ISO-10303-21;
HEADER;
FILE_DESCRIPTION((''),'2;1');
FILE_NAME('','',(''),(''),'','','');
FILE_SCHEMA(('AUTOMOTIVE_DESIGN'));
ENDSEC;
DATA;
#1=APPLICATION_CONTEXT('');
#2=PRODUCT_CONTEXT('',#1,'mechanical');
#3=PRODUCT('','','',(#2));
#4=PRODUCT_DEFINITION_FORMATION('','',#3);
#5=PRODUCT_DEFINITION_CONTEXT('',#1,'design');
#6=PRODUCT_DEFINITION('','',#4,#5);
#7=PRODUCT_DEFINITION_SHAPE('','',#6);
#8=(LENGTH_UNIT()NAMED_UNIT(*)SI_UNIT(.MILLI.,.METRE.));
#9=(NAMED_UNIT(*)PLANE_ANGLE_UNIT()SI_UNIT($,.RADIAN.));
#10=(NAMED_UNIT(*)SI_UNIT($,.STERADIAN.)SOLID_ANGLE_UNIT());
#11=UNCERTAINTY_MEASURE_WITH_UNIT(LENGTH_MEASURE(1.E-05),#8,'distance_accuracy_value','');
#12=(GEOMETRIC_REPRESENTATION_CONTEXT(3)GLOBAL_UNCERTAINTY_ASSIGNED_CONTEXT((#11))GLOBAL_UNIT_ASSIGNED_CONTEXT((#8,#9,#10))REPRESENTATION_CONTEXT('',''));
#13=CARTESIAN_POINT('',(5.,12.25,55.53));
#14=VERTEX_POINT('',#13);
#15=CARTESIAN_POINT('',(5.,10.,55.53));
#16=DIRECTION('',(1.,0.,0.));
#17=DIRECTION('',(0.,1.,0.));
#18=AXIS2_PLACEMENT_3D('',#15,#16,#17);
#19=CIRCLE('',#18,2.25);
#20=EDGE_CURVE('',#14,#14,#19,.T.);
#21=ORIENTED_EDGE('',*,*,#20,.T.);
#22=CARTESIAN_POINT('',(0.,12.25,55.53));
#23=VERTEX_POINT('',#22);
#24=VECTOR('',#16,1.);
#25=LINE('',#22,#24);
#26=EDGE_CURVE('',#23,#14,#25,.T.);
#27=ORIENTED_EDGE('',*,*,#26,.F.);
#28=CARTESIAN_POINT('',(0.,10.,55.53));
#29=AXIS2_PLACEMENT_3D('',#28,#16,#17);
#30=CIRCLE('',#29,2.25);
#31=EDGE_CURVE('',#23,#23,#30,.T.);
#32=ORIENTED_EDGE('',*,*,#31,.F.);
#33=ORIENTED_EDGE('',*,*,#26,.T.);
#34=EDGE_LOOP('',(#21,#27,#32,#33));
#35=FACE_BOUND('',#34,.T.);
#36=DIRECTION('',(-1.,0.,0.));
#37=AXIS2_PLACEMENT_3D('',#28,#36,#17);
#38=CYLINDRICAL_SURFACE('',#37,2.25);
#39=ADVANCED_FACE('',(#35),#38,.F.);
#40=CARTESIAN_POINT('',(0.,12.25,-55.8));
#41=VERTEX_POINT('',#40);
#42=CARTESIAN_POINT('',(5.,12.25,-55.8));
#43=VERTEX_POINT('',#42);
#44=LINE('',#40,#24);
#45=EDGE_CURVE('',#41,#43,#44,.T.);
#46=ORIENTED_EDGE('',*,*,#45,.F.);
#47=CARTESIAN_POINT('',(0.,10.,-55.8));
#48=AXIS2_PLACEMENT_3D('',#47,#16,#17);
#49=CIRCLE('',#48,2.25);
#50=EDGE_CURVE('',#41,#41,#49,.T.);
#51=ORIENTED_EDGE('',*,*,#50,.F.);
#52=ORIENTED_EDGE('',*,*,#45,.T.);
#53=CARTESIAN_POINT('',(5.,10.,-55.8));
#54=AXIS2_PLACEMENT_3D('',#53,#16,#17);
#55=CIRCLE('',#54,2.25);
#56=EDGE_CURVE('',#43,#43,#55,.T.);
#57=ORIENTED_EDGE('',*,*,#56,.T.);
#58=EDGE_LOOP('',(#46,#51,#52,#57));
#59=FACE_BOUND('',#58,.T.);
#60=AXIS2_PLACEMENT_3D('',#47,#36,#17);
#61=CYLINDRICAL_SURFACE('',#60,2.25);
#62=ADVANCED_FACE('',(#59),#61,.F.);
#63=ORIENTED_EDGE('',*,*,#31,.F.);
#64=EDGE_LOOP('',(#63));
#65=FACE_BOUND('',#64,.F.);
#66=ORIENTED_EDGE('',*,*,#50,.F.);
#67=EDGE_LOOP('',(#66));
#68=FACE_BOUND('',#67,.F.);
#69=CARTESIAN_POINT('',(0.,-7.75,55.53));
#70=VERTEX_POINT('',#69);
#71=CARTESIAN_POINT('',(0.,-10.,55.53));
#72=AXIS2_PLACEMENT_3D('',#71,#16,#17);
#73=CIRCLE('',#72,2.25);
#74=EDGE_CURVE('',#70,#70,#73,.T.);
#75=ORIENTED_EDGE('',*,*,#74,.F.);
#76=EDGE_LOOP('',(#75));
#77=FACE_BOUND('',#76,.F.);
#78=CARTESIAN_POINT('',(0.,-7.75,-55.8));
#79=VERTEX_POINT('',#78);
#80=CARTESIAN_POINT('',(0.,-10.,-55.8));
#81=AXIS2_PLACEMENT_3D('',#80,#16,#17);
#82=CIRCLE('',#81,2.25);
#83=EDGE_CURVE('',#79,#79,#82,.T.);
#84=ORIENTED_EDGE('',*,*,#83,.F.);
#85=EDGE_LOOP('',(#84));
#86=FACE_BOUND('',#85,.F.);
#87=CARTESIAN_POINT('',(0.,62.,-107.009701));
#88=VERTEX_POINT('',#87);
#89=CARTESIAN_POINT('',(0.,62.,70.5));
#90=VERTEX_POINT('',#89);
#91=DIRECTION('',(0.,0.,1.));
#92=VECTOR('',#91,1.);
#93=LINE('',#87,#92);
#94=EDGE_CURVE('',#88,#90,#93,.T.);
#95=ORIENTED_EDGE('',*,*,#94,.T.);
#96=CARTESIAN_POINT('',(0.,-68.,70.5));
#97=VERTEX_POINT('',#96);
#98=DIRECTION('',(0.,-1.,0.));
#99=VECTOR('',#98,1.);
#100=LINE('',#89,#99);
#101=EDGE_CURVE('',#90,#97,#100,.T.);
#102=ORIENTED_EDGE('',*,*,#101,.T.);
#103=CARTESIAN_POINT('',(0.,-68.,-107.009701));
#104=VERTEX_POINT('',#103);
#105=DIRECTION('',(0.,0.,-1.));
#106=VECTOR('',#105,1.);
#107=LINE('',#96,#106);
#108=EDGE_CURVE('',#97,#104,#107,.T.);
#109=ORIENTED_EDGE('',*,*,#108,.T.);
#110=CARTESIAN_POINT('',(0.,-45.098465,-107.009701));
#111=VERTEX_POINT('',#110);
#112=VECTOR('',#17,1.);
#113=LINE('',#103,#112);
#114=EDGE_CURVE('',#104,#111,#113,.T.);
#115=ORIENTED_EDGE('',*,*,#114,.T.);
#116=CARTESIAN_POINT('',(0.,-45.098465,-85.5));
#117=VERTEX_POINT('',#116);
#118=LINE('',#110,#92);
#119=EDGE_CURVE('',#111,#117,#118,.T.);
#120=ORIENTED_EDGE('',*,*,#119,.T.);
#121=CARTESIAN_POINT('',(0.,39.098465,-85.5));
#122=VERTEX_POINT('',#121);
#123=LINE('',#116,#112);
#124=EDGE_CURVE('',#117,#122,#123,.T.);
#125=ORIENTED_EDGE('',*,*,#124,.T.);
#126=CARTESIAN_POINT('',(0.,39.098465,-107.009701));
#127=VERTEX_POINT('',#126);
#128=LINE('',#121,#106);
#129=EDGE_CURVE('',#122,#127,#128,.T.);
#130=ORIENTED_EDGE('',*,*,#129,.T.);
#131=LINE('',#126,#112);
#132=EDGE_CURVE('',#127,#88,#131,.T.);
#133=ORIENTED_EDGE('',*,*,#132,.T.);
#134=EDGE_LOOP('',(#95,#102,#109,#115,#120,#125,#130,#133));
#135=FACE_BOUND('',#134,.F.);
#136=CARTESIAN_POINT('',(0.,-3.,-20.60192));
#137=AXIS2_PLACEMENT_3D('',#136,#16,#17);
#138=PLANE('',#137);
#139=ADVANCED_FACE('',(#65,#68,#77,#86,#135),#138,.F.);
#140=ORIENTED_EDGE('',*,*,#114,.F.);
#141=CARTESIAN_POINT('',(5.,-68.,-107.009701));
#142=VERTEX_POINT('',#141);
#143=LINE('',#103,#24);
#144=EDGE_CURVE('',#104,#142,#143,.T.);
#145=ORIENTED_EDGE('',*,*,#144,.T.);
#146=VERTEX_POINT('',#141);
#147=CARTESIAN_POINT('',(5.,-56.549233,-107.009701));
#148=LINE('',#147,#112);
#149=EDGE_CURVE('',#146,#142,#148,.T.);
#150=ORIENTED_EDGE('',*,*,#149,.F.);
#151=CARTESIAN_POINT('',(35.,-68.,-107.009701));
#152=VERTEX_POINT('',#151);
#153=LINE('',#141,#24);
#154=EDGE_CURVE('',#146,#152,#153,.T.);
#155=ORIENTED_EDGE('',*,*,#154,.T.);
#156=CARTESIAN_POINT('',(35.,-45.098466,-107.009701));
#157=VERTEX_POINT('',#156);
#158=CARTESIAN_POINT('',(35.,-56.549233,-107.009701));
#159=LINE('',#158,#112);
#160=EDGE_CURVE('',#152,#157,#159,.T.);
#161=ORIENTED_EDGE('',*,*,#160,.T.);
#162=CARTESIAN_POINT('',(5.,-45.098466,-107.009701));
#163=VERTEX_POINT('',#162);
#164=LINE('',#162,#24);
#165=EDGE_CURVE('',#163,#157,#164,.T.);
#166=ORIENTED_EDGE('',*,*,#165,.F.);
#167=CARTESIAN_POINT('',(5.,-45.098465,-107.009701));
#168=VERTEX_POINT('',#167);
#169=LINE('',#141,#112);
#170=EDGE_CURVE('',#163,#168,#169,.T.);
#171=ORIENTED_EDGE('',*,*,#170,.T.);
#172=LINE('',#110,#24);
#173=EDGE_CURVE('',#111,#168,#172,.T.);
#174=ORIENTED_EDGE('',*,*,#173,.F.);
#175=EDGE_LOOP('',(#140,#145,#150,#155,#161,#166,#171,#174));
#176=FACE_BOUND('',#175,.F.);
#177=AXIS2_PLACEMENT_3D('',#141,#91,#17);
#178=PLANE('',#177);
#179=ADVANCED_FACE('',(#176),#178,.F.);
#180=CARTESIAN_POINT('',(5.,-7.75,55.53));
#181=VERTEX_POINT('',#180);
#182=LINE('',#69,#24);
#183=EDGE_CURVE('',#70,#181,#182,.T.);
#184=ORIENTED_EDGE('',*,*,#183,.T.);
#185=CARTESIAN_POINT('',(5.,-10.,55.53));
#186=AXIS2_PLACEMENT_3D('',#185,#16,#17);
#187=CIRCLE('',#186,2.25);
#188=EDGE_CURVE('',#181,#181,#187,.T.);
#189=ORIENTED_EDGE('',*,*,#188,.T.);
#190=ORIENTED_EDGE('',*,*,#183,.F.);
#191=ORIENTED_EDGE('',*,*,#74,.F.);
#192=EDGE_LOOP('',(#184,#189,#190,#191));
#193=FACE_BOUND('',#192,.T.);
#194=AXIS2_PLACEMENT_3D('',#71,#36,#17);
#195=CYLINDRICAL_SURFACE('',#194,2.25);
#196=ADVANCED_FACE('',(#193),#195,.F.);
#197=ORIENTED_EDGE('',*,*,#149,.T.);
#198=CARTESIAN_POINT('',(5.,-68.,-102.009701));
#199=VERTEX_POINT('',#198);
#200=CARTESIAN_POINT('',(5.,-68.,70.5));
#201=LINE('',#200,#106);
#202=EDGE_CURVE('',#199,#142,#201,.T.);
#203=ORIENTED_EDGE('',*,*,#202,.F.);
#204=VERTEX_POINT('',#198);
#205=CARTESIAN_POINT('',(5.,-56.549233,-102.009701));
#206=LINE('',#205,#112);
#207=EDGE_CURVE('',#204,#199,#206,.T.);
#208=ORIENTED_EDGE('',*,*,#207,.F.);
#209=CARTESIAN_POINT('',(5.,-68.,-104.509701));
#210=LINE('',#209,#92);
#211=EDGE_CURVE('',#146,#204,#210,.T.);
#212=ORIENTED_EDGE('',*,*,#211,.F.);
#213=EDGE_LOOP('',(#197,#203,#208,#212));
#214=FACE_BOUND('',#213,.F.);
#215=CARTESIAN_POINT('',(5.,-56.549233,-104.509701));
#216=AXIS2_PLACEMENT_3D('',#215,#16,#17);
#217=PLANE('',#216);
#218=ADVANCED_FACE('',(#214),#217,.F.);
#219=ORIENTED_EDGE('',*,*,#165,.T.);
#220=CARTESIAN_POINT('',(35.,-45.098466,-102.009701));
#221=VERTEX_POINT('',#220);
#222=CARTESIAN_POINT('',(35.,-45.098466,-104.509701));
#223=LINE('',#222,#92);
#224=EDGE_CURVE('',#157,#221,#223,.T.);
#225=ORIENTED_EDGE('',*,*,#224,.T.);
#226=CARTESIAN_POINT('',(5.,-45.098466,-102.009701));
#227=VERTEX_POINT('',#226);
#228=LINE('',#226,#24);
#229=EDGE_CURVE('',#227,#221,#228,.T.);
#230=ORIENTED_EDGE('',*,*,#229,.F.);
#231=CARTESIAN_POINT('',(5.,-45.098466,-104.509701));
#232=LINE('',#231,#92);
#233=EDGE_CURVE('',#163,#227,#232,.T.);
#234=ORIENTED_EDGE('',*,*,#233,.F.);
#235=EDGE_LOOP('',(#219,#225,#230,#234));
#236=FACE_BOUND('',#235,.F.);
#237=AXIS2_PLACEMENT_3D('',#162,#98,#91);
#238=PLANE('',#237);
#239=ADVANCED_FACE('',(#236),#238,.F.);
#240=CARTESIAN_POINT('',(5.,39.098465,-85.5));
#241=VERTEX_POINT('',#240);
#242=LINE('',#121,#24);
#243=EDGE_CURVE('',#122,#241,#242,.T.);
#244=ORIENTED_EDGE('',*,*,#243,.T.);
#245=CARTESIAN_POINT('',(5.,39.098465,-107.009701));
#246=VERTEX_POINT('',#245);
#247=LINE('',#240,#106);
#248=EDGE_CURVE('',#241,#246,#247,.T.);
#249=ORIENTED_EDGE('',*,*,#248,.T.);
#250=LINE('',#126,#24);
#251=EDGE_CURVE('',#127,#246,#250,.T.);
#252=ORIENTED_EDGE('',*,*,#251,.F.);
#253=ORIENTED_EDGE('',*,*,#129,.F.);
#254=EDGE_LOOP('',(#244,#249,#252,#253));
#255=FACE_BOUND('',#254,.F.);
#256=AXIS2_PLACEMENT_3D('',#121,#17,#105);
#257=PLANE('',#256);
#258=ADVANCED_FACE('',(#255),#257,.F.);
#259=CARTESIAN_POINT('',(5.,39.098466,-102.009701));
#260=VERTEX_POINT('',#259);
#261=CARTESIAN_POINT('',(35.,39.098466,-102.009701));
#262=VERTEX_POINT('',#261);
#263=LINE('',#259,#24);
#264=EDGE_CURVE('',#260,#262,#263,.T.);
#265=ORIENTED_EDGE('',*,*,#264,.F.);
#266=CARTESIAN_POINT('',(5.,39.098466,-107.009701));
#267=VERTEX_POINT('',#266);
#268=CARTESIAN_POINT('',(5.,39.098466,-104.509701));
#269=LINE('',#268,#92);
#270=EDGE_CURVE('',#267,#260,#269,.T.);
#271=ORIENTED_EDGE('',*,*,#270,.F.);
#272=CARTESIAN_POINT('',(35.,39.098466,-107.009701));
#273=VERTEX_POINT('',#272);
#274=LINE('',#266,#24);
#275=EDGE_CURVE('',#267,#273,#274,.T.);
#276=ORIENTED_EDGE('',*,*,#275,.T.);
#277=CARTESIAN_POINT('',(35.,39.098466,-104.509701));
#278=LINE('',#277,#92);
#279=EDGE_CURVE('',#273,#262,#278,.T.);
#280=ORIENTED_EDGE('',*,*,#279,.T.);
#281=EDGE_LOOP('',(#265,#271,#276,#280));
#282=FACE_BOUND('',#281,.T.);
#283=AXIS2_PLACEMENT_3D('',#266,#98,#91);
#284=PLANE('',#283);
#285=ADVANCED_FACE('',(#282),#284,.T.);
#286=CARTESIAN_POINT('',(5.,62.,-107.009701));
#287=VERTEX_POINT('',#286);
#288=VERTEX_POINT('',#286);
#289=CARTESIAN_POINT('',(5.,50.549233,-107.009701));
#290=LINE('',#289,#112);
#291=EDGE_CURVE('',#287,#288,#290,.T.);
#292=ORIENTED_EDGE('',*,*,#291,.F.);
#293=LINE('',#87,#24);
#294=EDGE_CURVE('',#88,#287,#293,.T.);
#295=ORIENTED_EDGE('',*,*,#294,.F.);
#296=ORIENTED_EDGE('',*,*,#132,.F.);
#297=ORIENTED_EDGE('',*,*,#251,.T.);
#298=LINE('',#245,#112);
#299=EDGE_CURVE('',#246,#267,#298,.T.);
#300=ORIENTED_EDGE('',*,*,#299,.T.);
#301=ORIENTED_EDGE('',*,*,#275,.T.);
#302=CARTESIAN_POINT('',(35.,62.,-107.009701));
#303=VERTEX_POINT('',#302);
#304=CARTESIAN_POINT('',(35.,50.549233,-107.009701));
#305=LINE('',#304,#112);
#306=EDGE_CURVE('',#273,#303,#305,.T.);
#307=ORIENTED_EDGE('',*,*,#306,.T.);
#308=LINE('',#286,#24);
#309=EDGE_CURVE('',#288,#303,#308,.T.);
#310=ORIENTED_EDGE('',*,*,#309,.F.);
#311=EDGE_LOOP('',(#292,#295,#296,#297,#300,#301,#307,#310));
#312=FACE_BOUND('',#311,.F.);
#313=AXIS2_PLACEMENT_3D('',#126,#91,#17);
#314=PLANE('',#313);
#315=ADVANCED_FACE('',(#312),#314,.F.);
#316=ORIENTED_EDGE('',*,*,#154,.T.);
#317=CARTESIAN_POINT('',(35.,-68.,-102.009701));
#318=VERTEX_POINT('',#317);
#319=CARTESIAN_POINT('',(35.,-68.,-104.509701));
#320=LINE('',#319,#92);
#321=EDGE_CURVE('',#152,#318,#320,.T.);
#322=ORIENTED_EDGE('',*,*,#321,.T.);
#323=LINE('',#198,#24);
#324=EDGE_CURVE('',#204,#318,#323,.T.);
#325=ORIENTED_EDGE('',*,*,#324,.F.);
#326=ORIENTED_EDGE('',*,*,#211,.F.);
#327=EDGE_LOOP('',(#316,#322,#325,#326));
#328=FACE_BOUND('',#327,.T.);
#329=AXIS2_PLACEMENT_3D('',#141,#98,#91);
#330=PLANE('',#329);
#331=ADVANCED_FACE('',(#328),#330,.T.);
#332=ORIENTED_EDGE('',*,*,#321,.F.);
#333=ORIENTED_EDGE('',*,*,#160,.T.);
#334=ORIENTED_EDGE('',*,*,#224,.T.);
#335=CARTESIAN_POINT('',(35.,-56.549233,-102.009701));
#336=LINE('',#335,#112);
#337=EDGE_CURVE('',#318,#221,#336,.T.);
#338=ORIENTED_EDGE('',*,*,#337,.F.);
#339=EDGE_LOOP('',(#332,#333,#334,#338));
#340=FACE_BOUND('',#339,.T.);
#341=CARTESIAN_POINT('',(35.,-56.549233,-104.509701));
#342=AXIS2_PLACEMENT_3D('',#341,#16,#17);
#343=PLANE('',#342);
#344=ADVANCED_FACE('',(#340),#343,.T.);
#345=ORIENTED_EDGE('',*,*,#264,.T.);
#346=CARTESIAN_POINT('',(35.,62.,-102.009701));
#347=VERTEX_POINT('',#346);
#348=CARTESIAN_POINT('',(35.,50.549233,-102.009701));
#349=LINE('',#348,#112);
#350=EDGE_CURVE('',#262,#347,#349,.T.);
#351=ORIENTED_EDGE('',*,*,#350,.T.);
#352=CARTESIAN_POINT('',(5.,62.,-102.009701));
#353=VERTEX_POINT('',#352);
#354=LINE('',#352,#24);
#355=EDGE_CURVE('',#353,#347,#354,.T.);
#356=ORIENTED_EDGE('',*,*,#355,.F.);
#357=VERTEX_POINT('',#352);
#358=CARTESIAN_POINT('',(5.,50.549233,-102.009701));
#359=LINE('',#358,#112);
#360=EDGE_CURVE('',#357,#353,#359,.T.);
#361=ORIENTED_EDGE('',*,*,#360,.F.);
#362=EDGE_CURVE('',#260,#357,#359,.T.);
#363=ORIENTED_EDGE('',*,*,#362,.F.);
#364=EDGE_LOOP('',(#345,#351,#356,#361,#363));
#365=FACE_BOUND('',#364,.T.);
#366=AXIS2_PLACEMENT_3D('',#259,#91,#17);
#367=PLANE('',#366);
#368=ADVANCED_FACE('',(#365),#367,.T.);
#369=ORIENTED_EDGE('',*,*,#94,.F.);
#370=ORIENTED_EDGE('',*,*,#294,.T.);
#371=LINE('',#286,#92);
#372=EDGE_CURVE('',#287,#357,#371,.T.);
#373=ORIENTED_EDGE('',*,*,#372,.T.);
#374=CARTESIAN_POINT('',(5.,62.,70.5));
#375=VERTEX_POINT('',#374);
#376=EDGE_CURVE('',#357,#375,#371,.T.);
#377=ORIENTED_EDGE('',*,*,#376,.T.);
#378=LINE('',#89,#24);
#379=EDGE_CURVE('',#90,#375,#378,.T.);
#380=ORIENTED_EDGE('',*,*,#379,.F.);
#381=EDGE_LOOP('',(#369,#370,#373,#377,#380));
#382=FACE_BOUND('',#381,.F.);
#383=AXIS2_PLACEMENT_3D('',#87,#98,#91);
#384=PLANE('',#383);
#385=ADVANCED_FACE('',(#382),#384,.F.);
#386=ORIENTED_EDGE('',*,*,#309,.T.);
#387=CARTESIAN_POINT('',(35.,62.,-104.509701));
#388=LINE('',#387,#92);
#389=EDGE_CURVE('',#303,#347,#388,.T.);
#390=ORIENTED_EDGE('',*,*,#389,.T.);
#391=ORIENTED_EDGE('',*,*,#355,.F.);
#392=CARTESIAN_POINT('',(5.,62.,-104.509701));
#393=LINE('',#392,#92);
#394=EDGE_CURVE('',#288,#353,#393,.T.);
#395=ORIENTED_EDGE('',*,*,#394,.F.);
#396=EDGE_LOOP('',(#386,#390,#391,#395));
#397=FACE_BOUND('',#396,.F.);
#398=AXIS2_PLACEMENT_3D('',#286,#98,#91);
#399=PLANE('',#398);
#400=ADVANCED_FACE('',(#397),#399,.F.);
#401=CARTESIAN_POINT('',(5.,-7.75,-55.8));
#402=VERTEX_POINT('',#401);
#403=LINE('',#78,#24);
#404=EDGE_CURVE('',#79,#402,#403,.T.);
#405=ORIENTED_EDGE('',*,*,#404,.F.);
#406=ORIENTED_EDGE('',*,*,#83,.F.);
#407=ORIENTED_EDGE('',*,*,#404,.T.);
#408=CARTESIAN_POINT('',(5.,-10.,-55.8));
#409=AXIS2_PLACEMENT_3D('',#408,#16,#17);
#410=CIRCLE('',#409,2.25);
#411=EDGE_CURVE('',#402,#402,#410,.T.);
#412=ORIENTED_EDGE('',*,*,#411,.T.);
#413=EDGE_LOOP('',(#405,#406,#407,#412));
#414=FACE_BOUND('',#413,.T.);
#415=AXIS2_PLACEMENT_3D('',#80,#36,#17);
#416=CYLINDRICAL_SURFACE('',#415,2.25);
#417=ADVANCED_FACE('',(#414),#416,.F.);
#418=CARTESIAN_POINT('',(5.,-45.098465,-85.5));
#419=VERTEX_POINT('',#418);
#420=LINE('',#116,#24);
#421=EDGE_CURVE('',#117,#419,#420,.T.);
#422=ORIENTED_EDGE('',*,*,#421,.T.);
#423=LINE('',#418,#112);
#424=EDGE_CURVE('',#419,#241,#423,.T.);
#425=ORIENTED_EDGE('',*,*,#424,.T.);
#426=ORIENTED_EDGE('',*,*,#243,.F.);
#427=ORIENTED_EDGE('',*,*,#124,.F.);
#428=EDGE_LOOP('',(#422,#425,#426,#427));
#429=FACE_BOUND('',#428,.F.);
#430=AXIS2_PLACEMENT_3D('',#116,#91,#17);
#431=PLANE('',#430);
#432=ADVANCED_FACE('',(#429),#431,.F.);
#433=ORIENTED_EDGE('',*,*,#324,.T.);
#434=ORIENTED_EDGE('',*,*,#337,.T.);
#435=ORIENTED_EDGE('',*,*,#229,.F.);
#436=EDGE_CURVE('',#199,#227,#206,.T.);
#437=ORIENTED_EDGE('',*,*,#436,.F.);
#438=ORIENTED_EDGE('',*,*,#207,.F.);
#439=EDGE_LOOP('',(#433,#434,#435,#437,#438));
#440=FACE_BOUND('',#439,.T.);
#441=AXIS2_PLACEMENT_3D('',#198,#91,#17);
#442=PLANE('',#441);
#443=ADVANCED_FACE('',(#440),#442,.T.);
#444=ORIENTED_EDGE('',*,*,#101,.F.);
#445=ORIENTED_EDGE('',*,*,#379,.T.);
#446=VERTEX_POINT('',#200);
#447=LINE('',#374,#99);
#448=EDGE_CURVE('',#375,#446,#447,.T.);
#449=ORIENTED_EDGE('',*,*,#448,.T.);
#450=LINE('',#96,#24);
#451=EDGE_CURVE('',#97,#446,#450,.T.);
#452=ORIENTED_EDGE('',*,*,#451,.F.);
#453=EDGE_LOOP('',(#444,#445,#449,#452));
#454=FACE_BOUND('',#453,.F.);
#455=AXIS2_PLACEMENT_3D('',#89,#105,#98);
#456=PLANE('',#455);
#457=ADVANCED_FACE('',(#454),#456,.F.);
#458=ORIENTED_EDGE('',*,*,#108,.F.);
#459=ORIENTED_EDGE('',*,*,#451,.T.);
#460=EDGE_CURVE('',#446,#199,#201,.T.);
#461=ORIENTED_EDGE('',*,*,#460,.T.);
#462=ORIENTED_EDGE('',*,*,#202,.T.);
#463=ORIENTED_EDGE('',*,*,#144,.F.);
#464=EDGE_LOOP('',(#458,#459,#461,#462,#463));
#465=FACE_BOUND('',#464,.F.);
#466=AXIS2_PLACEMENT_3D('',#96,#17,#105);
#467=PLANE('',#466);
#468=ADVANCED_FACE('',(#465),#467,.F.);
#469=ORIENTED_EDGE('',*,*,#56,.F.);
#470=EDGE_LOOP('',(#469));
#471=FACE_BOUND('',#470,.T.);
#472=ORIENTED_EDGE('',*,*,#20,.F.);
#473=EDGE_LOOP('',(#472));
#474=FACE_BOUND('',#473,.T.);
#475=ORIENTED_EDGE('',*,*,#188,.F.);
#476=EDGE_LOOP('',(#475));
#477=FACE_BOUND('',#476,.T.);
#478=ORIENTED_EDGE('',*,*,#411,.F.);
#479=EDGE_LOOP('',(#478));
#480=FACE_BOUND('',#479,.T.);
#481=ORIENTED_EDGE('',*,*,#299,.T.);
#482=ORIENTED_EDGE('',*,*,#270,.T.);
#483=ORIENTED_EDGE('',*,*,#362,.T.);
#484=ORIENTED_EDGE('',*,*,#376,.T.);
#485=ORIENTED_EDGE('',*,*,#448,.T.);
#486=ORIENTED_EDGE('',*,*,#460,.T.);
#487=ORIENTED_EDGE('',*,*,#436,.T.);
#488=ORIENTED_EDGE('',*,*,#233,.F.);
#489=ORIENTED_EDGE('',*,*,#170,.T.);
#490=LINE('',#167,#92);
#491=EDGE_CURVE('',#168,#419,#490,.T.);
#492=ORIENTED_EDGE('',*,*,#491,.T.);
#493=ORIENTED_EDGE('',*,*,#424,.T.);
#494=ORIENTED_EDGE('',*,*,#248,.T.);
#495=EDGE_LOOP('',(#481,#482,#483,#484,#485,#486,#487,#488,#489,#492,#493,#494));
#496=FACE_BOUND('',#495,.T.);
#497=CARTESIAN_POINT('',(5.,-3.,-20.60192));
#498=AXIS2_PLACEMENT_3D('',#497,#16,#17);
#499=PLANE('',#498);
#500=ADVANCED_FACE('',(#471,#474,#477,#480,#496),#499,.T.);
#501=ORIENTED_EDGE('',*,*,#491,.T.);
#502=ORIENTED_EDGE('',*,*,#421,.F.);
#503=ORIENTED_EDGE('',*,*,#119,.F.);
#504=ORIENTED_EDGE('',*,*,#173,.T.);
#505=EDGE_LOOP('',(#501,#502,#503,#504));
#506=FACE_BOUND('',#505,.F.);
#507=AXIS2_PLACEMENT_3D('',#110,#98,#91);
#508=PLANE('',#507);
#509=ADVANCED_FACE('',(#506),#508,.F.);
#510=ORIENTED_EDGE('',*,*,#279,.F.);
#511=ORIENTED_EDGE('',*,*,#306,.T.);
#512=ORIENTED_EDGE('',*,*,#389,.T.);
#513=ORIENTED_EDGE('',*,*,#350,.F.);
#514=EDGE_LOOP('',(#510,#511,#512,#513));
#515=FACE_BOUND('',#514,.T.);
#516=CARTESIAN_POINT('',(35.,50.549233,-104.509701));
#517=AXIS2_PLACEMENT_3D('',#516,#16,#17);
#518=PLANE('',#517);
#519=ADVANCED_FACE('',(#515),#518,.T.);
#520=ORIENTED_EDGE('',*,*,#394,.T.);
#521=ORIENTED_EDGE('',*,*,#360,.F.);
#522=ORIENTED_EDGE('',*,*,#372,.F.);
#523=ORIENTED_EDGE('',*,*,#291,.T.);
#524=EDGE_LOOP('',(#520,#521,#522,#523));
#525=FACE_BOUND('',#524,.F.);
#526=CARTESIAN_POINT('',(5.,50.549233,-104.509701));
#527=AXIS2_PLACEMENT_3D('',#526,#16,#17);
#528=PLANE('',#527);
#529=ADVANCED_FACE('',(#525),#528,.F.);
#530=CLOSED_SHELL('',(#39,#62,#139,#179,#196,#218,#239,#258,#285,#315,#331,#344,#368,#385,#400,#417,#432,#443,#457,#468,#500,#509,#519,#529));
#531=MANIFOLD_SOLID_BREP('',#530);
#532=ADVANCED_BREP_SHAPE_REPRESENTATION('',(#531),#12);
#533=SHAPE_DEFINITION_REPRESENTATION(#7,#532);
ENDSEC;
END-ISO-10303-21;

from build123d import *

# Parameters (mm, degrees)
F0_R     = 2.25
F1_DEPTH = 5
F2_W     = 22.901535
F2_H     = 5
F3_DEPTH = 30


with BuildPart() as f1:
    # F0 (on Right) → F1 (new body)
    with BuildSketch(Plane.YZ):
        Polygon((62, 70.5), (-68, 70.5), (-68, -85.5), (-68, -107.009701), (-45.098465, -107.009701), (-45.098465, -85.5), (39.098465, -85.5), (39.098465, -107.009701), (62, -107.009701), (62, -85.5), align=None)
        with Locations((-10, -55.8)):
            Circle(F0_R, mode=Mode.SUBTRACT)
        with Locations((10, -55.8)):
            Circle(F0_R, mode=Mode.SUBTRACT)
        with Locations((-10, 55.53)):
            Circle(F0_R, mode=Mode.SUBTRACT)
        with Locations((10, 55.53)):
            Circle(F0_R, mode=Mode.SUBTRACT)
    extrude(amount=F1_DEPTH)

    # F2 (on face) → F3 (join)
    with BuildSketch(Plane.YZ.offset(5)):
        with Locations((-56.549233, -104.509701)):
            Rectangle(F2_W, F2_H)
        with Locations((50.549233, -104.509701)):
            Rectangle(F2_W, F2_H)
    extrude(amount=F3_DEPTH)


solid = f1.part
